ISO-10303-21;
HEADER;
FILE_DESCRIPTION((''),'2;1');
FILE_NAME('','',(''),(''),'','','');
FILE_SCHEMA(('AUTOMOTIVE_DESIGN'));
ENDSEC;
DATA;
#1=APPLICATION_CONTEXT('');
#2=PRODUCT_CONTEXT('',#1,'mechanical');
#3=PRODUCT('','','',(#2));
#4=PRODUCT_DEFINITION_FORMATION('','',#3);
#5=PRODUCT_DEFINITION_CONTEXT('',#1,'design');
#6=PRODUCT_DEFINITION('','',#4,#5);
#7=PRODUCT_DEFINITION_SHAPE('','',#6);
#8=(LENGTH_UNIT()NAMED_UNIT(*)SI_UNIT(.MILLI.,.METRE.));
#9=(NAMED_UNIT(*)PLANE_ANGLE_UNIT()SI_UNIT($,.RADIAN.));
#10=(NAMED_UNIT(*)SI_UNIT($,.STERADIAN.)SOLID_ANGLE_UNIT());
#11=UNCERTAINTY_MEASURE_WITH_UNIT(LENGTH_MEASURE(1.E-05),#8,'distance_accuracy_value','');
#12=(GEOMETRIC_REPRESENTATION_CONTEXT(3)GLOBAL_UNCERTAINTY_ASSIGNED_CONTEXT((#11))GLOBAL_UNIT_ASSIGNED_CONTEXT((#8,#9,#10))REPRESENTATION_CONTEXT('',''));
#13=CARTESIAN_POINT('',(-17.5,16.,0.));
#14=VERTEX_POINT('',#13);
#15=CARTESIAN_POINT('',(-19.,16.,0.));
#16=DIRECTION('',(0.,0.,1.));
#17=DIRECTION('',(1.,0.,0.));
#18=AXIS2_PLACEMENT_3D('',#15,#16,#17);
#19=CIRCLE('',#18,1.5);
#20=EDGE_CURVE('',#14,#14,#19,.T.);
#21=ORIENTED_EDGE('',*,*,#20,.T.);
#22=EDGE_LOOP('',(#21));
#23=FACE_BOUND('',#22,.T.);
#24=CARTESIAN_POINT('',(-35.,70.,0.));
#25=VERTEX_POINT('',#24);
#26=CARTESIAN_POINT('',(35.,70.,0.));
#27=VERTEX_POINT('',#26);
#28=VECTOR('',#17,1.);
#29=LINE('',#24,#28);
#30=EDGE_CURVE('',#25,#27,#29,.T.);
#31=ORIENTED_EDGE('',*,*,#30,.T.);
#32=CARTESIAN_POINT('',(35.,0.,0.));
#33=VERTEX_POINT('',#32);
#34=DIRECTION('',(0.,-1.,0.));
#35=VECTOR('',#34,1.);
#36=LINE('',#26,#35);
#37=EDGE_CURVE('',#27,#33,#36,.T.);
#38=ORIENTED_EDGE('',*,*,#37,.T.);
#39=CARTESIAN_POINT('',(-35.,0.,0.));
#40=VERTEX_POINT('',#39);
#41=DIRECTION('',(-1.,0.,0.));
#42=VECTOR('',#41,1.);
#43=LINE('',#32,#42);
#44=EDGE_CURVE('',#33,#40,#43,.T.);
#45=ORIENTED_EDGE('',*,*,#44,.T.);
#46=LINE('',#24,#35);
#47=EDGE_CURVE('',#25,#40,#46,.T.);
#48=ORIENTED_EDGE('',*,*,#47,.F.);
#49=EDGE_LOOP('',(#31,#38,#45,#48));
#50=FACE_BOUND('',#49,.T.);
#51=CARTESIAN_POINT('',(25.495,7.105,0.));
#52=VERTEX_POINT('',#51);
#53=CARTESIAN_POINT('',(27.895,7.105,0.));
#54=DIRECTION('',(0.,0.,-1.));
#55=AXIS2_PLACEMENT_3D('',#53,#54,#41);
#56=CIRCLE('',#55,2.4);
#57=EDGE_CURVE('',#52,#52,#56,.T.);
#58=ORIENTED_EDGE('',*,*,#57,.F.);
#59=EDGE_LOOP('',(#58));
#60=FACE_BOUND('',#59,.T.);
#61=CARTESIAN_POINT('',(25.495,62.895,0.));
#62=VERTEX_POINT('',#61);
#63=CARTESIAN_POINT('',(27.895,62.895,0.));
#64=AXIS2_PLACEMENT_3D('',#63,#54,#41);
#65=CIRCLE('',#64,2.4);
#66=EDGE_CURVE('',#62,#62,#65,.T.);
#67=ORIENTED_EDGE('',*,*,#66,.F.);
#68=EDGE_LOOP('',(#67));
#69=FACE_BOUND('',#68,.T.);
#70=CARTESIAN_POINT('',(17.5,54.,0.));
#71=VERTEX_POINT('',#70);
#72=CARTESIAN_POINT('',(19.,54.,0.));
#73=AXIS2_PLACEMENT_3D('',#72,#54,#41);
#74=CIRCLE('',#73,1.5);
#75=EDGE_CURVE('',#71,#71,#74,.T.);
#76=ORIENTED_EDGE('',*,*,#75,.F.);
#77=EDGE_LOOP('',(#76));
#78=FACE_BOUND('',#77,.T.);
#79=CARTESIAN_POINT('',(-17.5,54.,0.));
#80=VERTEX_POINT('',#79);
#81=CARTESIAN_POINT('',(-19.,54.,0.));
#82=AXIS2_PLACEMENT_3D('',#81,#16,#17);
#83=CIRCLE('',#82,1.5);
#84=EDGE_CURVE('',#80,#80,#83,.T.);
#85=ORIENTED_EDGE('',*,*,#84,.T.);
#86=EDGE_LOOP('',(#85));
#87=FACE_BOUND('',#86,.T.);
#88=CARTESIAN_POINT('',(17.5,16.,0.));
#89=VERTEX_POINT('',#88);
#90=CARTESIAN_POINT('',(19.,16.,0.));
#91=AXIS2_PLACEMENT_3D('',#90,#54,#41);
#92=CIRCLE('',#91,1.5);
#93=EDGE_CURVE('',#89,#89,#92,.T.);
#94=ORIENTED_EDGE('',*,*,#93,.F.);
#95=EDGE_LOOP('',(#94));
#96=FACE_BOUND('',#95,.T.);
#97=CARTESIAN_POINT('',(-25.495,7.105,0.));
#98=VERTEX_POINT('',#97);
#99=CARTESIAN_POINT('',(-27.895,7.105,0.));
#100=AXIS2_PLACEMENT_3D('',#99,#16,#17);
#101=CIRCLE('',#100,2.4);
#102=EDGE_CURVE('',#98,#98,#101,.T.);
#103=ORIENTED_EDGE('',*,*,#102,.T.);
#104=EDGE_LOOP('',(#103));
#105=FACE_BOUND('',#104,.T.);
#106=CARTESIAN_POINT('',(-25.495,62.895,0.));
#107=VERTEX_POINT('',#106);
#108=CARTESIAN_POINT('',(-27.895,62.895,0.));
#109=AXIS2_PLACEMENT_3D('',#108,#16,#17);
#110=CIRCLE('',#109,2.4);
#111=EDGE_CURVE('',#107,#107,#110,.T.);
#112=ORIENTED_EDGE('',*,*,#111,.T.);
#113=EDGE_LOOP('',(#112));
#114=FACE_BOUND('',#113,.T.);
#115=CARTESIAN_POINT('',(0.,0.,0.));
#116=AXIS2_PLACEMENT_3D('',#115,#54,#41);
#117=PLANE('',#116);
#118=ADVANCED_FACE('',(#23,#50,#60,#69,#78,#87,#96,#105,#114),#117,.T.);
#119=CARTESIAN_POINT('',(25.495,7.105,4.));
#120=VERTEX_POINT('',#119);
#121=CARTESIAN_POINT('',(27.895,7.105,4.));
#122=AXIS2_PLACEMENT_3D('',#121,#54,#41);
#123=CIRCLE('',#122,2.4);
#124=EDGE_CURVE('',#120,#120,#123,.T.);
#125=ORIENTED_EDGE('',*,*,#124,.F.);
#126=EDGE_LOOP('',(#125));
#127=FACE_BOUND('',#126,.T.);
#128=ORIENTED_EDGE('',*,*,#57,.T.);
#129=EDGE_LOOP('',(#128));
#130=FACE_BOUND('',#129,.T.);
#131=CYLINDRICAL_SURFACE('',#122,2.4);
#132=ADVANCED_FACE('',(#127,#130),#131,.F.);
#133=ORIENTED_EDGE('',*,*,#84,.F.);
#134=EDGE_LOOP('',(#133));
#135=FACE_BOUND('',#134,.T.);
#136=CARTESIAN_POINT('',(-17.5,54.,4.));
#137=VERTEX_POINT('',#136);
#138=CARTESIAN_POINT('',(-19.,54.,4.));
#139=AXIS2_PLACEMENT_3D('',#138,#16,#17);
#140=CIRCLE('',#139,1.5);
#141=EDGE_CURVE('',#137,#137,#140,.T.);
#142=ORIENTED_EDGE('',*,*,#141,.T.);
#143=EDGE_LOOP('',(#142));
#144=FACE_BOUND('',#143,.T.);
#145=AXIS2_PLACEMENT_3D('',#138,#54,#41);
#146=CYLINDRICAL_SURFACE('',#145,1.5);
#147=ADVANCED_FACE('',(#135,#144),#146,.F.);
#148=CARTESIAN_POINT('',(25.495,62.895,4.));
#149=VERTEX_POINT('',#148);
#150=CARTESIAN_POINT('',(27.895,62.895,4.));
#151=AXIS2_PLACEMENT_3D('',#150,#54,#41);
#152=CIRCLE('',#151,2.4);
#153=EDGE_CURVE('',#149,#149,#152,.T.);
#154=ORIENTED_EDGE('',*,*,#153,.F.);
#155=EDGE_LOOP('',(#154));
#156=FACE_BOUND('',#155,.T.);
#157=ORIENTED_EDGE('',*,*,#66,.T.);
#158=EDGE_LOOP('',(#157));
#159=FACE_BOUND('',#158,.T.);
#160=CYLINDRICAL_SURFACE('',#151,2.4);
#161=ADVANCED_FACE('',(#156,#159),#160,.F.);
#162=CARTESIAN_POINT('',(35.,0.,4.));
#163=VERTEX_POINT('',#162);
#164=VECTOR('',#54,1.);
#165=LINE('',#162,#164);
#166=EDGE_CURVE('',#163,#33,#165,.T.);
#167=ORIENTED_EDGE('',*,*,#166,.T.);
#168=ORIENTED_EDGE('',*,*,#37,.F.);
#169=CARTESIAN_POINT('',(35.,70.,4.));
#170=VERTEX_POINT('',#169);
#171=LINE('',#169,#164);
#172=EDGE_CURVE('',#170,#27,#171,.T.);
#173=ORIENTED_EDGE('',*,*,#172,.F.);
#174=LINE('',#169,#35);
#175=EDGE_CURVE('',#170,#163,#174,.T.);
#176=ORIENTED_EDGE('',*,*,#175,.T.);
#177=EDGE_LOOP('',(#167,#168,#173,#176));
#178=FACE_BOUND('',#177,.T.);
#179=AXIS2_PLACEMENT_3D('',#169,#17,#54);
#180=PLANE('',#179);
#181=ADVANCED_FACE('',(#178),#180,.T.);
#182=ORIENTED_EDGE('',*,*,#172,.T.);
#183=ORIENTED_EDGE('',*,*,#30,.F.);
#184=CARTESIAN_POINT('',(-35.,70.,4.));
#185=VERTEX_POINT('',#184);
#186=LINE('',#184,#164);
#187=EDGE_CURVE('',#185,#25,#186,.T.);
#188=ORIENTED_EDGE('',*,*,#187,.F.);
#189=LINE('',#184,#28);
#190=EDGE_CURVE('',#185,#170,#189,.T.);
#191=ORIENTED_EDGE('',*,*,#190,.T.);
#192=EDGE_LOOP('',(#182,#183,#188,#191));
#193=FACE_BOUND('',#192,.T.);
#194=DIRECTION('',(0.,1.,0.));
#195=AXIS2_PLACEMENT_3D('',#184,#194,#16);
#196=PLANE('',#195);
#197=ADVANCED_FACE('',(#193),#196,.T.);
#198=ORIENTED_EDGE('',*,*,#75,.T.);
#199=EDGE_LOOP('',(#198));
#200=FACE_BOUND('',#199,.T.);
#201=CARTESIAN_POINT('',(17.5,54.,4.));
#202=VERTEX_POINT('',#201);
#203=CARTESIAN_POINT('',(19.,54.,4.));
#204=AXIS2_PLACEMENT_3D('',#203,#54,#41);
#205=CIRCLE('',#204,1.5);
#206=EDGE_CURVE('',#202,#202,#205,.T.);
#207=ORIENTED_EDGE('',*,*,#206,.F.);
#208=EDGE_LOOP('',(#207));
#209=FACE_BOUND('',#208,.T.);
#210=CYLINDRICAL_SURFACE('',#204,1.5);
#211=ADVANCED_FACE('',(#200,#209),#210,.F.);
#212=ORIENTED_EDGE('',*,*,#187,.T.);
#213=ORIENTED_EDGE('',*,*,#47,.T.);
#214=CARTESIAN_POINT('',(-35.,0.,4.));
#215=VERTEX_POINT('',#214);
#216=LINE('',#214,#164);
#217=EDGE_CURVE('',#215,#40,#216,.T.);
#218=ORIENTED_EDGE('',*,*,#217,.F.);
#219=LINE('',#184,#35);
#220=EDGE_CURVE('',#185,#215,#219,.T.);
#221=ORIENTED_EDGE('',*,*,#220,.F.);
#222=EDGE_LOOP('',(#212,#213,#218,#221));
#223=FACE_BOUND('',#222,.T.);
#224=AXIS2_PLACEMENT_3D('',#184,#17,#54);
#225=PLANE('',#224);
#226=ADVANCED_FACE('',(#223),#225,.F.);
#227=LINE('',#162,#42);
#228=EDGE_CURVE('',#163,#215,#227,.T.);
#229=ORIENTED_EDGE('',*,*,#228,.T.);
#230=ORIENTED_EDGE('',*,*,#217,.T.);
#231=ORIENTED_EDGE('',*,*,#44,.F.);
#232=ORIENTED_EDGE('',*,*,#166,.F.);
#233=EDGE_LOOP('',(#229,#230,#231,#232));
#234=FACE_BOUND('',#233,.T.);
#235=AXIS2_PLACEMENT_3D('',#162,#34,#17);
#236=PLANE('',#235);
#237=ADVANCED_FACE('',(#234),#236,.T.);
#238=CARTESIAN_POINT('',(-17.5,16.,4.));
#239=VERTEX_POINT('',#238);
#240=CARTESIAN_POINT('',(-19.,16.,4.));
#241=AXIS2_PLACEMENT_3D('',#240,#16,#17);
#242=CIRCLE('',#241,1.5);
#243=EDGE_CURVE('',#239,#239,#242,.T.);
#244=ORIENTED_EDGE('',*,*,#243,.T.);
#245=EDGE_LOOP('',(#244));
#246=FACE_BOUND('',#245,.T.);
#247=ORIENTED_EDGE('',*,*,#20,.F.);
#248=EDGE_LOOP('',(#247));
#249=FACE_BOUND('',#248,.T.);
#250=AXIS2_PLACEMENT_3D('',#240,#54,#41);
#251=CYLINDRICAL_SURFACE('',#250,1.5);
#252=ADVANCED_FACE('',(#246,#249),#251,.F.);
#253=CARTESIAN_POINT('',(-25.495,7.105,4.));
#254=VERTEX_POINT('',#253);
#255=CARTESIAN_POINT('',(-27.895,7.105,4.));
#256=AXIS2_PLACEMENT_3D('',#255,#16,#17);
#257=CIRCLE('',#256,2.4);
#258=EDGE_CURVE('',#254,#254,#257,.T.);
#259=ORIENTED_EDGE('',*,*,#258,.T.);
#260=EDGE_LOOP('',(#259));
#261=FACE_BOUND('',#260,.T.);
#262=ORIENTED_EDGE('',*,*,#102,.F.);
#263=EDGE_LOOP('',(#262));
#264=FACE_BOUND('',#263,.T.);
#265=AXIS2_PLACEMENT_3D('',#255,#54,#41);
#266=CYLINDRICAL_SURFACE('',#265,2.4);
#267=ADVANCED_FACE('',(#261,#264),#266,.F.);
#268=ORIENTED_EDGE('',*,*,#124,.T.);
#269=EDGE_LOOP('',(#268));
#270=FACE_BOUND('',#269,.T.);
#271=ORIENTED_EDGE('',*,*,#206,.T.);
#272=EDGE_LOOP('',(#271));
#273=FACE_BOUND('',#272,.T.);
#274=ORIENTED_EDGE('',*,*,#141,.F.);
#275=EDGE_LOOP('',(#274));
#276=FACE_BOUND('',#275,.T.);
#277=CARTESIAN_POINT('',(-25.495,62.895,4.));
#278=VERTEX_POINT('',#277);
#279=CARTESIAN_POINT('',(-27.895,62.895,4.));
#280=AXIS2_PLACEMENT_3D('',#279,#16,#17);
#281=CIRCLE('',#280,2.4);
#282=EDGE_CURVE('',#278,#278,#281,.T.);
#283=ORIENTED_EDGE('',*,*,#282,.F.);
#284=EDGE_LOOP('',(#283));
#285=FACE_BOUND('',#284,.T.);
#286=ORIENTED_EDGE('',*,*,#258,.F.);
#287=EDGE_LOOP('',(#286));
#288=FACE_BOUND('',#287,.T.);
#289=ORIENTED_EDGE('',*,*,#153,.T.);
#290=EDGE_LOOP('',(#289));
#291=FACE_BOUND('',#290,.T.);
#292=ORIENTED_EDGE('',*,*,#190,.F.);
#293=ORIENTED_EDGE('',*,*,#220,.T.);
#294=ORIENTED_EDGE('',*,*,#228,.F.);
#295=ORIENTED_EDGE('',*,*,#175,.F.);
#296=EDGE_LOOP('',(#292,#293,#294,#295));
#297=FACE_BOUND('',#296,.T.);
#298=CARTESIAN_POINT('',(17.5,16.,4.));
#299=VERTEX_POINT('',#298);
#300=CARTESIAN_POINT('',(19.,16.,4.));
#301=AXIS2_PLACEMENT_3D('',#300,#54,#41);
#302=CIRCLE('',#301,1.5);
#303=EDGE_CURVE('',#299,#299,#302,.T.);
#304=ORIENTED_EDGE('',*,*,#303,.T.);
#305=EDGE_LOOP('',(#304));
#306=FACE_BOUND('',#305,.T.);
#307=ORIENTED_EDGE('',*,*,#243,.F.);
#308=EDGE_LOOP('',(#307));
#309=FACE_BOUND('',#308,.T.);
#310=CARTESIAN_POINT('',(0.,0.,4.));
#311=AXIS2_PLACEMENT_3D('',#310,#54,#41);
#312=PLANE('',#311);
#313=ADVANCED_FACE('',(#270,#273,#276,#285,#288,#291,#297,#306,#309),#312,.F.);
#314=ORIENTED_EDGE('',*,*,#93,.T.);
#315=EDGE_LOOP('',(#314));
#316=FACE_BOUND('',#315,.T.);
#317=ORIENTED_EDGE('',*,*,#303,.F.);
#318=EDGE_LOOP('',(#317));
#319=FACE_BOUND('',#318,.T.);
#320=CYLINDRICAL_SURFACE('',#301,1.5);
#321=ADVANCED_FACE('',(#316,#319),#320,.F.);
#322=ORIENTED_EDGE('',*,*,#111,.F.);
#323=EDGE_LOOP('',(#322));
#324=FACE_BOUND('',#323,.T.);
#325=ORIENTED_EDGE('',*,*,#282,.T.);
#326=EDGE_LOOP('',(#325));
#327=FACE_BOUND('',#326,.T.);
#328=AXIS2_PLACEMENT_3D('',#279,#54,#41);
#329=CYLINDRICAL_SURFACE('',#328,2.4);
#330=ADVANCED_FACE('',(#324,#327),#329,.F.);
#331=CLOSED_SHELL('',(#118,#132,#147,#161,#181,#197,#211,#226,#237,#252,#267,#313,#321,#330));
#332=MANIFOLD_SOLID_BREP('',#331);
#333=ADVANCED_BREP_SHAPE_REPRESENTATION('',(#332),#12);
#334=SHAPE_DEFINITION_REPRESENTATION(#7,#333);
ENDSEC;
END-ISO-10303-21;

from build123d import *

# Parameters (mm, degrees)
SKETCH1_W           = 70
SKETCH1_H           = 70
SKETCH1_R           = 2.4
SKETCH1_R_2         = 1.5
BOSS_EXTRUDE2_DEPTH = 4


with BuildPart() as part:
    # Sketch1 → Boss-Extrude2 (new body)
    with BuildSketch(Plane.XY):
        with Locations((0, 35)):
            Rectangle(SKETCH1_W, SKETCH1_H)
        with Locations((-27.895, 7.105)):
            Circle(SKETCH1_R, mode=Mode.SUBTRACT)
        with Locations((-27.895, 62.895)):
            Circle(SKETCH1_R, mode=Mode.SUBTRACT)
        with Locations((19, 54)):
            Circle(SKETCH1_R_2, mode=Mode.SUBTRACT)
        with Locations((19, 16)):
            Circle(SKETCH1_R_2, mode=Mode.SUBTRACT)
        with Locations((-19, 16)):
            Circle(SKETCH1_R_2, mode=Mode.SUBTRACT)
        with Locations((27.895, 62.895)):
            Circle(SKETCH1_R, mode=Mode.SUBTRACT)
        with Locations((27.895, 7.105)):
            Circle(SKETCH1_R, mode=Mode.SUBTRACT)
        with Locations((-19, 54)):
            Circle(SKETCH1_R_2, mode=Mode.SUBTRACT)
    extrude(amount=BOSS_EXTRUDE2_DEPTH)


solid = part.part
